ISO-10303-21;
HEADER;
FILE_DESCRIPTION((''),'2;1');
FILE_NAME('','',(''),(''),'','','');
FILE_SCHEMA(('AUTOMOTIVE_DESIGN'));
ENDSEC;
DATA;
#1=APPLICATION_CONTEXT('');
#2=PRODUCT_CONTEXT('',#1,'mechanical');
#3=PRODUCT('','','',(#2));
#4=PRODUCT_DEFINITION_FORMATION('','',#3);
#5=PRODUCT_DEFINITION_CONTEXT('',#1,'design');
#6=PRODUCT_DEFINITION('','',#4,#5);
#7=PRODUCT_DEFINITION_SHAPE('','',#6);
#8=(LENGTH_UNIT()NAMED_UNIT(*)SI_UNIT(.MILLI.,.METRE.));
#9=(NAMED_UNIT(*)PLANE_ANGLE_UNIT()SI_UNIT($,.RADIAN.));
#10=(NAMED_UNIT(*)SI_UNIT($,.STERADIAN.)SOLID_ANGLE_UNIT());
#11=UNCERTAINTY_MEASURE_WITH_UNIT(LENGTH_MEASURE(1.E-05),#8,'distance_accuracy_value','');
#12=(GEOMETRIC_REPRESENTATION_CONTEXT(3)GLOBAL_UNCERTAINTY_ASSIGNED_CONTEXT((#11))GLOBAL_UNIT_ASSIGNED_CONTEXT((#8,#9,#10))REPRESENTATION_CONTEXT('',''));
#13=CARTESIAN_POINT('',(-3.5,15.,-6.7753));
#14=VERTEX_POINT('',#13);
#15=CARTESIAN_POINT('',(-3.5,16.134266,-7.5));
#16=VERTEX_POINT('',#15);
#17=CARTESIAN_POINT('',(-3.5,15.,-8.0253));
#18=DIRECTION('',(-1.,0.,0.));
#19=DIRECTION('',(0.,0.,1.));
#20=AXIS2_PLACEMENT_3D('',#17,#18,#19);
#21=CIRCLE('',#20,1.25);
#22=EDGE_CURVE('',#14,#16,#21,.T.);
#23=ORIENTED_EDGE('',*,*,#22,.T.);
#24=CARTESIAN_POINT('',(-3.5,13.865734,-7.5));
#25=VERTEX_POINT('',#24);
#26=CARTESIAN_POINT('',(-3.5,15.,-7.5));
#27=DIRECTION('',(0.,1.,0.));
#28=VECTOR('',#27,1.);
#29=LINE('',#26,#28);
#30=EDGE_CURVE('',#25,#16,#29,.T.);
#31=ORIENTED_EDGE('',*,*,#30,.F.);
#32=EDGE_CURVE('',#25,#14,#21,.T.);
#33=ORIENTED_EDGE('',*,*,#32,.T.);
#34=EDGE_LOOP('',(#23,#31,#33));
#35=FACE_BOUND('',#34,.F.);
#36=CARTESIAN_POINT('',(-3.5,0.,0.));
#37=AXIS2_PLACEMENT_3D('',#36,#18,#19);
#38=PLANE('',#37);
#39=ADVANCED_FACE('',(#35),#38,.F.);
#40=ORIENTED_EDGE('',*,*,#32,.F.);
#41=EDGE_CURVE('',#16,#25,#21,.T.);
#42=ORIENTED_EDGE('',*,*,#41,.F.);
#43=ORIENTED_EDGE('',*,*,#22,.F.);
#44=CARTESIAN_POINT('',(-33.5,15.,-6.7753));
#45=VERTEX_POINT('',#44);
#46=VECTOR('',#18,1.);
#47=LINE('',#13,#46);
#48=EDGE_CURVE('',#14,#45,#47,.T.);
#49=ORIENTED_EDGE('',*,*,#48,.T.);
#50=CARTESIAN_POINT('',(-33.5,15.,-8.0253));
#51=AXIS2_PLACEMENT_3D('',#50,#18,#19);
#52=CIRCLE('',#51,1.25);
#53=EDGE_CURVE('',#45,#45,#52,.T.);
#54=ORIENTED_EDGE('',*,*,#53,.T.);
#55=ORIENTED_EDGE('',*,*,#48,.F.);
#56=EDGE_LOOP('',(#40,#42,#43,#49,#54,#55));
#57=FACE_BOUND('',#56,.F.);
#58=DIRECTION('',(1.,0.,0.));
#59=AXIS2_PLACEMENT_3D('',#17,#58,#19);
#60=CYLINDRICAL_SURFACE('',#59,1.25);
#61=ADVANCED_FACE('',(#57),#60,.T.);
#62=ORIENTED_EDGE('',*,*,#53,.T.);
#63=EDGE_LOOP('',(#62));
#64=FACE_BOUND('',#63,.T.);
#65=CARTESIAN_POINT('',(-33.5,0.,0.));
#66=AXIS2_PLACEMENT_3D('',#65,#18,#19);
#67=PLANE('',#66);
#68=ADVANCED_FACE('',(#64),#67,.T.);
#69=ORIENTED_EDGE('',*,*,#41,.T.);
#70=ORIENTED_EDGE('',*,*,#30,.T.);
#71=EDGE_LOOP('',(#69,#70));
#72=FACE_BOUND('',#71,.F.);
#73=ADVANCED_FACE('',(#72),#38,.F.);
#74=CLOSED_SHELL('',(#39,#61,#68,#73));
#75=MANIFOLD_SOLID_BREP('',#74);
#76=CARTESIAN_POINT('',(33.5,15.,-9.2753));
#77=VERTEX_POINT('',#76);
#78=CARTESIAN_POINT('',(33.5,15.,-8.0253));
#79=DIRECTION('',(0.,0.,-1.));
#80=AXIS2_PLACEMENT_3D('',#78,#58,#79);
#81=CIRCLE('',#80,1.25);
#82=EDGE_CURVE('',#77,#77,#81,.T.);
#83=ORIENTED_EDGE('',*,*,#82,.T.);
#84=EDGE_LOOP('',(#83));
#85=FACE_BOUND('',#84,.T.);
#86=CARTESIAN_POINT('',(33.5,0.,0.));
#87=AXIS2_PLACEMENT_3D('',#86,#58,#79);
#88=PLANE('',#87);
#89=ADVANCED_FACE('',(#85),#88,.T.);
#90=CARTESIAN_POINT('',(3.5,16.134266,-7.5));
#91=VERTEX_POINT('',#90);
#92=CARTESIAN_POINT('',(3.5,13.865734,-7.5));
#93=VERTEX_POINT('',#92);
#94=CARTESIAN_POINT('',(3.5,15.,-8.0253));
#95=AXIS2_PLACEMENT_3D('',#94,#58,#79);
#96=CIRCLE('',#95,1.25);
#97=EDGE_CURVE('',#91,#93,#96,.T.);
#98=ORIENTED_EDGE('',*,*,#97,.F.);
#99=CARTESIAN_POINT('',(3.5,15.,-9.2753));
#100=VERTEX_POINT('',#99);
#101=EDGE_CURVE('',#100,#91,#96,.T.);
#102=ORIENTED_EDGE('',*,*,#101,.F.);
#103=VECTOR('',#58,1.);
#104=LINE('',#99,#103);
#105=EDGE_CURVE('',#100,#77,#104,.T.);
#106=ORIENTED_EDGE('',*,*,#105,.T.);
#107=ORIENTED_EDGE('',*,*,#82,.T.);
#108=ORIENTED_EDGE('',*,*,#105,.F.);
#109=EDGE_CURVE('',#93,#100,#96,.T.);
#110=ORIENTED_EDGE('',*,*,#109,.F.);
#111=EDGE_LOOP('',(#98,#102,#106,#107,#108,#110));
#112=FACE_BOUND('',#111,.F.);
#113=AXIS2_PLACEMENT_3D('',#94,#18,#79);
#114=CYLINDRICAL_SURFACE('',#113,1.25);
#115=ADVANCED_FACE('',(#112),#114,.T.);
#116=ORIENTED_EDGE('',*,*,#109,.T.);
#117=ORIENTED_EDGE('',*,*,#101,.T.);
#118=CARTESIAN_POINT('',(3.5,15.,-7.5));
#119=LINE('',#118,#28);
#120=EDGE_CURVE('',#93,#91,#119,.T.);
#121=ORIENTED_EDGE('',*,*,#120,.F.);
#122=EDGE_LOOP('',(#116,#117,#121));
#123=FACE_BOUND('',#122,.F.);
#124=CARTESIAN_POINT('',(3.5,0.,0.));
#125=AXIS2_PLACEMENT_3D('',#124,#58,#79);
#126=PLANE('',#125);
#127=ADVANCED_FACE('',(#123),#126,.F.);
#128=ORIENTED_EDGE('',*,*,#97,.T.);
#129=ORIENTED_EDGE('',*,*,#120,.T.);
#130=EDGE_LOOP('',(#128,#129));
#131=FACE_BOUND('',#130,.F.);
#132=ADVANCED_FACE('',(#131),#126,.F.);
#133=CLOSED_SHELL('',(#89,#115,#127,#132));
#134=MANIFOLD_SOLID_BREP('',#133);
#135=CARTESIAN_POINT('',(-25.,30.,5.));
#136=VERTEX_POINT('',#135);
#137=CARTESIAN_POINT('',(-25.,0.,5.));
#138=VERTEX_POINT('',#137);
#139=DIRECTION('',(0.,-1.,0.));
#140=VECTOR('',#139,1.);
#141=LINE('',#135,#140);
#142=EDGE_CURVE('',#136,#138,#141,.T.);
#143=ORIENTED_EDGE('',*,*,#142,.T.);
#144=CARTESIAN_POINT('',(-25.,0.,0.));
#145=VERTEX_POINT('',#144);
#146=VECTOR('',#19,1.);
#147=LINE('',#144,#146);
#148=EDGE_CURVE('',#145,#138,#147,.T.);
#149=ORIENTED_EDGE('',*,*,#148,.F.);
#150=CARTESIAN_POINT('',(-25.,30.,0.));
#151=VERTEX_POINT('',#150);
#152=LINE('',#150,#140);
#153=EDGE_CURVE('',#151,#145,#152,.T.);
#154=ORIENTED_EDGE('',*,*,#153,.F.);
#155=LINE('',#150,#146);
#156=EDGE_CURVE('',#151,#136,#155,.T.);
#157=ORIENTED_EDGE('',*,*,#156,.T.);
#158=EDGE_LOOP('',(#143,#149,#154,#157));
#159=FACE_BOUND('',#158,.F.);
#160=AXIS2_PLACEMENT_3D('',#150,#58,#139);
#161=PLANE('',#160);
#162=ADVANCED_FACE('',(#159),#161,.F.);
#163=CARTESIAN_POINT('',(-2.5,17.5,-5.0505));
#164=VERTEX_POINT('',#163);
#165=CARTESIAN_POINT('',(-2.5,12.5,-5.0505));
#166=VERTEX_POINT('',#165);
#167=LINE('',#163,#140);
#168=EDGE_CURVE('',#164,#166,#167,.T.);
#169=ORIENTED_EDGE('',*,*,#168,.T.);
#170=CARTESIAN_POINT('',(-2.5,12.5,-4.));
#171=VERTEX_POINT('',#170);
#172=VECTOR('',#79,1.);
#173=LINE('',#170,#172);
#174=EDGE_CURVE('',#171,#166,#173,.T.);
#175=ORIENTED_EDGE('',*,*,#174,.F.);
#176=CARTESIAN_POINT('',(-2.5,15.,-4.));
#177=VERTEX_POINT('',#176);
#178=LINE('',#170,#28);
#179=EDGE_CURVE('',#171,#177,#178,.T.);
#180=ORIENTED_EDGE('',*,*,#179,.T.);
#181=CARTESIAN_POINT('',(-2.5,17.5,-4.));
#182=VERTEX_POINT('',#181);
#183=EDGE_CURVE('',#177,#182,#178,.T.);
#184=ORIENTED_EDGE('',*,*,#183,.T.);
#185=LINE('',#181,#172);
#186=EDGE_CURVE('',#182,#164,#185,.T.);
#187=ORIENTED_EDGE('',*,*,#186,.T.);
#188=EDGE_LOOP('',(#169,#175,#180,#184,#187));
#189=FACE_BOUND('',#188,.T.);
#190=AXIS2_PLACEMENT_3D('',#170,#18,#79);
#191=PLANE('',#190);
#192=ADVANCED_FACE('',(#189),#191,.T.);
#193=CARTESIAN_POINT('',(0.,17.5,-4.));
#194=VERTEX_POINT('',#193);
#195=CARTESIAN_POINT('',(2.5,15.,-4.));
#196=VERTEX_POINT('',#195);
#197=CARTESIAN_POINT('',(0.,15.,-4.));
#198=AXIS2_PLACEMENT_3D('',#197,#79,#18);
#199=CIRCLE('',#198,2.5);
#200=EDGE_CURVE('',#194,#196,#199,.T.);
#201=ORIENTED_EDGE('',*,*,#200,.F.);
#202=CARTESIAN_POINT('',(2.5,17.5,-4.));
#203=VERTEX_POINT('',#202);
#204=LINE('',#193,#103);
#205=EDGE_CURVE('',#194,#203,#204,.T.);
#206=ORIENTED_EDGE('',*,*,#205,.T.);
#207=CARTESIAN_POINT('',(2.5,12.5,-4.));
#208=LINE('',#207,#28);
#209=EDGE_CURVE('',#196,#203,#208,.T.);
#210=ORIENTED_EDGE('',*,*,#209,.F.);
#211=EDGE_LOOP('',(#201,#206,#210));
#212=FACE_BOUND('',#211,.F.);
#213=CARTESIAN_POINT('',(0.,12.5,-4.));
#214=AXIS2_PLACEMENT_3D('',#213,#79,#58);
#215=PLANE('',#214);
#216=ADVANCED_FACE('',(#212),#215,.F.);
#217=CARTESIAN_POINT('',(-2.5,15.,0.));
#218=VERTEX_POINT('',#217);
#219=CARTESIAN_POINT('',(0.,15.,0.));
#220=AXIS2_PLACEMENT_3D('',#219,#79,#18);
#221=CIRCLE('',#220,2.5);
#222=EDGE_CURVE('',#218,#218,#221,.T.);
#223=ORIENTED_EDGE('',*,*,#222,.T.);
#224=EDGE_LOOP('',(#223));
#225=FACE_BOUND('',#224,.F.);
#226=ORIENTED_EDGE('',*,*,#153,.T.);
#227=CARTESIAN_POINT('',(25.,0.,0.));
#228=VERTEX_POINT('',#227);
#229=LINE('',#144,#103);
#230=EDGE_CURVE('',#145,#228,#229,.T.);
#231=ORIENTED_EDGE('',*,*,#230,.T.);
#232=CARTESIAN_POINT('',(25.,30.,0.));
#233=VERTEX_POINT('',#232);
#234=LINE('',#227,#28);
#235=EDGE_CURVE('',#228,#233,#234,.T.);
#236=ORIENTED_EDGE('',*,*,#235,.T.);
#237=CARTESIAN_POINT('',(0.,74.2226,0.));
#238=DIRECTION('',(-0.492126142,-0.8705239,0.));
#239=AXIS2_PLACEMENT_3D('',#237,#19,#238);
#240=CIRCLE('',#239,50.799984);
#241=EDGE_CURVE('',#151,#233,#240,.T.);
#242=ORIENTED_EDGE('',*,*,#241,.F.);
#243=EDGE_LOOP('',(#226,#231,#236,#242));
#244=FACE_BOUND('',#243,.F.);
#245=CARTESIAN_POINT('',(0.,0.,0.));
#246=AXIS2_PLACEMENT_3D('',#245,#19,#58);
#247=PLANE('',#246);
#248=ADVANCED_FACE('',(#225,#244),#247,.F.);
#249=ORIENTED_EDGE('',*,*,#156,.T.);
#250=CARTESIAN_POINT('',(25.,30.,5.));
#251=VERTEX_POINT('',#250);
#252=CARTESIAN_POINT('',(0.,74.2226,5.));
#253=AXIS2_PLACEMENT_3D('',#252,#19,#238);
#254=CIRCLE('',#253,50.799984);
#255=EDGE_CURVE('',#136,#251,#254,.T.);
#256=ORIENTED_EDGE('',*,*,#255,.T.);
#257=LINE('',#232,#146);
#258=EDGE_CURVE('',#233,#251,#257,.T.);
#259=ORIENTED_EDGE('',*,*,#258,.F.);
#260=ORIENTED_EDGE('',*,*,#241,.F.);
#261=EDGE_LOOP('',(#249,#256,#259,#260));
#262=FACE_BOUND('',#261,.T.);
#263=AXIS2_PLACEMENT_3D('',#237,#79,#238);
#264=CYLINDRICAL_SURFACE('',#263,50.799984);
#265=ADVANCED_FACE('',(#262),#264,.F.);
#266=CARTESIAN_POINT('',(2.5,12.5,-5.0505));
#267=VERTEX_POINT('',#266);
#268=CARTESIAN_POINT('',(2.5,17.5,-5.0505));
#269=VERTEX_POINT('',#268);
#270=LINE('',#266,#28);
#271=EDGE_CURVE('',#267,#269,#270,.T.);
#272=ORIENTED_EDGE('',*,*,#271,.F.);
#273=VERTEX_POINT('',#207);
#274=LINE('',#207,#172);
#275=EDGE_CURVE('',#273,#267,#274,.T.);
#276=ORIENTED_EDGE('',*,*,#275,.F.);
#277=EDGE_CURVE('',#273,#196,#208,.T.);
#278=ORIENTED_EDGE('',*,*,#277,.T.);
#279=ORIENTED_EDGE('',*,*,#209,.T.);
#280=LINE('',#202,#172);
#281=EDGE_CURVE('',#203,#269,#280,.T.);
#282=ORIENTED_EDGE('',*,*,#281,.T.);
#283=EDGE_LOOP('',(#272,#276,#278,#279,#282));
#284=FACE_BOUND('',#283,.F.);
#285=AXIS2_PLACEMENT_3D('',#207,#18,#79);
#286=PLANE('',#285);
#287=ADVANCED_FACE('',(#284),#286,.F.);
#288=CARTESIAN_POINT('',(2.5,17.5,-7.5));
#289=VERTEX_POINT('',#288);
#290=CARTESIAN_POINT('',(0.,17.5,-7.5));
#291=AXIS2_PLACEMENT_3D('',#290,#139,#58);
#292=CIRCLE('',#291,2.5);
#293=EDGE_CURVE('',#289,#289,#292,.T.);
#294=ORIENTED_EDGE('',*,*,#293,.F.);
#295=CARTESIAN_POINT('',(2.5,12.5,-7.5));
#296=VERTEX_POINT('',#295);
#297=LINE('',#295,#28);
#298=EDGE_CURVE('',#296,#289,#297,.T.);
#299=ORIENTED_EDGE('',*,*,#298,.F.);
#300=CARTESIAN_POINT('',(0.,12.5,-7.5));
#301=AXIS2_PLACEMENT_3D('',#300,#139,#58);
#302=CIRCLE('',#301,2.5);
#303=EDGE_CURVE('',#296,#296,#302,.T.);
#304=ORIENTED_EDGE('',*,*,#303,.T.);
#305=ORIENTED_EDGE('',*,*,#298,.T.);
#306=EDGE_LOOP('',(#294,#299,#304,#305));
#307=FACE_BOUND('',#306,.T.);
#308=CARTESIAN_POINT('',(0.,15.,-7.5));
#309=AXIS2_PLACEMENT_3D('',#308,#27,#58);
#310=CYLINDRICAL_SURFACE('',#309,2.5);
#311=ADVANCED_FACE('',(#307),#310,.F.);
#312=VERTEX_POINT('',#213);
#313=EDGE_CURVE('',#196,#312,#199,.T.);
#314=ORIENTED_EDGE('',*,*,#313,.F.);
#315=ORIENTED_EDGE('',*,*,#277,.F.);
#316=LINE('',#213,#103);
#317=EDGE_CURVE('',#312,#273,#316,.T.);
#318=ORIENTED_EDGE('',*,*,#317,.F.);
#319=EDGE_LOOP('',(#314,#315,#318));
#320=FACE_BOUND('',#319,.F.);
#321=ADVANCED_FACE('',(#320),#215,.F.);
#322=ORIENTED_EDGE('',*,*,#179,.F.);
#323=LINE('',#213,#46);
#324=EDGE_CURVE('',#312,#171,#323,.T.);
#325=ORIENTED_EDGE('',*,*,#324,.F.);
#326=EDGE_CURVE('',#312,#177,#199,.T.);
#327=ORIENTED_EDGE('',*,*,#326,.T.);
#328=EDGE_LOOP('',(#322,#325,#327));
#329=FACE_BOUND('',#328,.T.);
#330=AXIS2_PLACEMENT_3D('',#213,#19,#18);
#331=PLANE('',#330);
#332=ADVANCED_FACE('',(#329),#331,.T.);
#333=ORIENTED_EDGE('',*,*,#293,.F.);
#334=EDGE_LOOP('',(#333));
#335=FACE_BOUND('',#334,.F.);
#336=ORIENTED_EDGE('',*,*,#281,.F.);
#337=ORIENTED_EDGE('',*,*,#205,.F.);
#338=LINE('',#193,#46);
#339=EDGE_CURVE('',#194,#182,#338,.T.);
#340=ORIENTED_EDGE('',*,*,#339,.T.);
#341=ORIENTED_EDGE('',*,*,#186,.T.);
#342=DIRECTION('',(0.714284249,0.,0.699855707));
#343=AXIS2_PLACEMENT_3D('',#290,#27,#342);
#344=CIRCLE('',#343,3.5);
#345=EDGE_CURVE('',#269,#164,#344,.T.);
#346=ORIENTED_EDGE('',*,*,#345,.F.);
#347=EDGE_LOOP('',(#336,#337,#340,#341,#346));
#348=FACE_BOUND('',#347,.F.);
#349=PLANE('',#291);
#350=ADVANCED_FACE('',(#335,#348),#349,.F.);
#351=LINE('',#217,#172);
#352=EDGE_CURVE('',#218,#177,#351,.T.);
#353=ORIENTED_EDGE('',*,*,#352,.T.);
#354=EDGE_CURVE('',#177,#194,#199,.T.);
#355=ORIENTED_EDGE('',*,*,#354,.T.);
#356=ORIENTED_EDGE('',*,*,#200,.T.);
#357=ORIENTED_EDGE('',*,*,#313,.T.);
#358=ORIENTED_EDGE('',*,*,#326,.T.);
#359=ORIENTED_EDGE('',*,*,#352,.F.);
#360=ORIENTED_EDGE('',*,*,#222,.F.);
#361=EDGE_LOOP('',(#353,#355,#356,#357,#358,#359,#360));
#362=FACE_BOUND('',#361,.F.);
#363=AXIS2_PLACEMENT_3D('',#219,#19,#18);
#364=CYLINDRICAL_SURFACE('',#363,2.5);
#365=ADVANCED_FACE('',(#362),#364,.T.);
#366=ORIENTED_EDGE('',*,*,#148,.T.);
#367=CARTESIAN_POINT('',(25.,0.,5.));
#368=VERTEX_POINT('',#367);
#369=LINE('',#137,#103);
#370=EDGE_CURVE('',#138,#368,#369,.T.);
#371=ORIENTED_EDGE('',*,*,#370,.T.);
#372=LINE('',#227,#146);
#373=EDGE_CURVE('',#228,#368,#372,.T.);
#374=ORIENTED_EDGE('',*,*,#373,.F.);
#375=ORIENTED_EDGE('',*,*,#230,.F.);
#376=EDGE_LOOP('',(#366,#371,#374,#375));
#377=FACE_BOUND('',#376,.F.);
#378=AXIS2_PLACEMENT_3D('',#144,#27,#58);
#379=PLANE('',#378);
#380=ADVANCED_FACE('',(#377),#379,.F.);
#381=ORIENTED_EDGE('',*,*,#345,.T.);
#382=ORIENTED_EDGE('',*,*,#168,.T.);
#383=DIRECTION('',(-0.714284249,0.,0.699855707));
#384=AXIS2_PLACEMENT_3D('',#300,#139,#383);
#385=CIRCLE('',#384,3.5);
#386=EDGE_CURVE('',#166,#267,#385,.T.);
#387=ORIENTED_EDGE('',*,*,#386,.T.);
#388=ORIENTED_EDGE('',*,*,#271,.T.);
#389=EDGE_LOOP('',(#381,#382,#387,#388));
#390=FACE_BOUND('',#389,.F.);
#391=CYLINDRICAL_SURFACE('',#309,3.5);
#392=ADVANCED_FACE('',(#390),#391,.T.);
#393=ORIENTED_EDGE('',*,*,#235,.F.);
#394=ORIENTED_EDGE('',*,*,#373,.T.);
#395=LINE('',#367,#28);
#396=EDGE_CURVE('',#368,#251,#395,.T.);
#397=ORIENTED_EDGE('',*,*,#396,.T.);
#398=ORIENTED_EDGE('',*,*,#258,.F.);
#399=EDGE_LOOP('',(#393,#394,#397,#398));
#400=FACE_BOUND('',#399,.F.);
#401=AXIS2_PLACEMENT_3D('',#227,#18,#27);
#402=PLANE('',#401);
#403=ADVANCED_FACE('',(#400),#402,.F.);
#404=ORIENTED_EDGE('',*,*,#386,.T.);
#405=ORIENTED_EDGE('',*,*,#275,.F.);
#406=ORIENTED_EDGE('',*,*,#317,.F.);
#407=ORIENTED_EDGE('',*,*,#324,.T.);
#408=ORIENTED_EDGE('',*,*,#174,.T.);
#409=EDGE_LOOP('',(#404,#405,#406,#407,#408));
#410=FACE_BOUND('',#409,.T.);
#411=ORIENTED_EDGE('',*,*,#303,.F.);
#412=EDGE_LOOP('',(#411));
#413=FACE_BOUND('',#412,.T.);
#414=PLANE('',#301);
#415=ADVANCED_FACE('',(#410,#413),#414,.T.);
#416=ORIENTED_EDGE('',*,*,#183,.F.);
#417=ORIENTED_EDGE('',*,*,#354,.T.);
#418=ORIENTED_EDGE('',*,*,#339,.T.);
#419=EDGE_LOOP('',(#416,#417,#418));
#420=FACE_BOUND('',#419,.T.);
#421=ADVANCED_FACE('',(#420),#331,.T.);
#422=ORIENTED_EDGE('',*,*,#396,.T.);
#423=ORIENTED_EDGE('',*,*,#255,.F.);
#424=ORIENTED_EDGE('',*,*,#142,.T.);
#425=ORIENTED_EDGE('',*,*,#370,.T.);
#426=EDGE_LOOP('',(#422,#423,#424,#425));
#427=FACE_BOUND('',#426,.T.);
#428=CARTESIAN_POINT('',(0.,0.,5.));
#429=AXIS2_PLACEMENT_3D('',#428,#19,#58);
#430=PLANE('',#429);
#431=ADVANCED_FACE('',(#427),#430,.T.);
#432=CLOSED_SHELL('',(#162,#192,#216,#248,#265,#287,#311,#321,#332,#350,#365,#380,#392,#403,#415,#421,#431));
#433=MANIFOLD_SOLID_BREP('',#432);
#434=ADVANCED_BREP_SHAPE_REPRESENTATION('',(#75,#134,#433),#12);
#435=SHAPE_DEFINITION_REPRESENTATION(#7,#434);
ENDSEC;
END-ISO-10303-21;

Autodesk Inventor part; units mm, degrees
sketch "Sketch1" plane through (0, 0, 0) normal (0, 0, 1) x (1, 0, 0)
  line L0 (-25, 30) -> (-25, 0)
  line L1 (-25, 0) -> (25, 0)
  line L2 (25, 0) -> (25, 30)
  arc A0 (-25, 30) -> (25, 30) centre (0, 74.2226) ccw
  point P0 (0, 0)
  point P1 (0, 0)
  dimension "d0" = 50
  dimension "d1" = 30
  dimension "d2" = 50.8
extrude "Extrusion1" add sketch "Sketch1" along normal blind 5
sketch "Sketch2" plane through (0, 0, 0) normal (0, 0, -1) x (-1, 0, 0)
  line L0 (-25, 0) -> (-25, 30) projected
  line L1 (25, 30) -> (25, 0) projected
  circle A0 centre (0, 15) radius 2.5
  line L2 (25, 0) -> (-25, 0) projected
  point P0 (0, 0)
  point P1 (25, 15)
  point P2 (0, 0)
  dimension "d5" = 5
extrude "Extrusion2" add sketch "Sketch2" along normal blind 4
thread "Thread1" size "12-24 UNC" class "2A" standard "ANSI Unified Screw Threads" full length
ref_plane "Work Plane1" through (-25, 15, 0) normal (0, -1, 0) x (1, 0, 0)
sketch "Sketch3" plane through (-25, 15, 0) normal (0, -1, 0) x (1, 0, 0)
  circle A0 centre (25, -7.5) radius 3.5
  circle A1 centre (25, -7.5) radius 2.5
  line L0 (22.5, -4) -> (27.5, -4) projected
  point P0 (25, 0)
  point P1 (25, -4)
  dimension "d11" = 5
  dimension "d12" = 7
extrude "Extrusion3" add sketch "Sketch3" along normal mid plane 5
thread "Thread2" size "12-24 UNC" class "2B" standard "ANSI Unified Screw Threads" full length
sketch "Sketch4" plane through (0, 12.5, -7.5) normal (0, -1, 0) x (1, 0, 0)
  circle A0 centre (0, 0) radius 3.5 projected
  circle A1 centre (0, 0) radius 2.5 projected
  line L0 (0, 3.5) -> (2.5, 3.5) projected
  line L1 (0, 3.5) -> (2.5, 3.5)
  line L2 (2.5, 3.5) -> (2.5, 2.4495)
  line L3 (0, 3.5) -> (-2.5, 3.5)
  line L4 (-2.5, 3.5) -> (-2.5, 2.4495)
  arc A2 (2.5, 2.4495) -> (0, 3.5) centre (0, 0) ccw
  arc A3 (0, 3.5) -> (-2.5, 2.4495) centre (0, 0) ccw
  point P0 (0, 7.5)
extrude "Extrusion4" add sketch "Sketch4" against normal blind 5 contours A0 L0 L2 | L4 L3 A0
ref_plane "Work Plane2" through (-3.5, 0, 0) normal (-1, 0, 0) x (0, 0, 1)
sketch "Sketch5" plane through (-3.5, 0, 0) normal (-1, 0, 0) x (0, 0, 1)
  line L0 (-5.0505, 17.5) -> (-5.0505, 12.5) projected
  line L1 (-5.0505, 12.5) -> (-5.0505, 12.5) projected
  line L2 (-5.0505, 12.5) -> (-5.0505, 17.5) projected
  line L3 (-5.0505, 17.5) -> (-5.0505, 17.5) projected
  line L4 (-4, 12.5) -> (-4, 15) projected
  line L5 (-4, 15) -> (-4, 12.5) projected
  line L6 (-4, 17.5) -> (-4, 15) projected
  line L7 (-4, 15) -> (-4, 17.5) projected
  line L8 (0, 12.5) -> (0, 17.5) projected
  line L9 (0, 30) -> (0, 0) projected
  line L10 (0, 0) -> (5, 0) projected
  line L11 (5, 30) -> (5, 0) projected
  line L12 (0, 30) -> (5, 30) projected
  line L13 (0, 30) -> (0, 0) projected
  line L14 (-5.0505, 17.5) -> (-11, 17.5) projected
  line L15 (-11, 12.5) -> (-5.0505, 12.5) projected
  circle A0 centre (-8.0253, 15) radius 1.25
  line L16 (-10, 17.5) -> (-5, 17.5) projected
  line L17 (-5, 12.5) -> (-10, 12.5) projected
  dimension "d20" = 2.5
extrude "Extrusion5" add sketch "Sketch5" along normal blind 30 contours A0
ref_plane "Work Plane3" through (3.5, 0, 0) normal (1, 0, 0) x (0, 0, -1)
sketch "Sketch6" plane through (3.5, 0, 0) normal (1, 0, 0) x (0, 0, -1)
  line L0 (0, 0) -> (0, 30) projected
  line L1 (4, 12.5) -> (4, 15) projected
  line L2 (4, 15) -> (4, 12.5) projected
  line L3 (4, 17.5) -> (4, 15) projected
  line L4 (4, 15) -> (4, 17.5) projected
  line L5 (0, 17.5) -> (0, 12.5) projected
  line L6 (11, 17.5) -> (5.0505, 17.5) projected
  line L7 (5.0505, 12.5) -> (11, 12.5) projected
  line L8 (11, 17.5) -> (11, 12.5) projected
  line L9 (5.0505, 17.5) -> (5.0505, 12.5) projected
  circle A0 centre (8.0253, 15) radius 1.25
  point P0 (5.0505, 15)
  point P1 (8.0253, 17.5)
  dimension "d24" = 2.5
extrude "Extrusion6" add sketch "Sketch6" along normal blind 30 contours A0
properties part number "Robot_mouth"
